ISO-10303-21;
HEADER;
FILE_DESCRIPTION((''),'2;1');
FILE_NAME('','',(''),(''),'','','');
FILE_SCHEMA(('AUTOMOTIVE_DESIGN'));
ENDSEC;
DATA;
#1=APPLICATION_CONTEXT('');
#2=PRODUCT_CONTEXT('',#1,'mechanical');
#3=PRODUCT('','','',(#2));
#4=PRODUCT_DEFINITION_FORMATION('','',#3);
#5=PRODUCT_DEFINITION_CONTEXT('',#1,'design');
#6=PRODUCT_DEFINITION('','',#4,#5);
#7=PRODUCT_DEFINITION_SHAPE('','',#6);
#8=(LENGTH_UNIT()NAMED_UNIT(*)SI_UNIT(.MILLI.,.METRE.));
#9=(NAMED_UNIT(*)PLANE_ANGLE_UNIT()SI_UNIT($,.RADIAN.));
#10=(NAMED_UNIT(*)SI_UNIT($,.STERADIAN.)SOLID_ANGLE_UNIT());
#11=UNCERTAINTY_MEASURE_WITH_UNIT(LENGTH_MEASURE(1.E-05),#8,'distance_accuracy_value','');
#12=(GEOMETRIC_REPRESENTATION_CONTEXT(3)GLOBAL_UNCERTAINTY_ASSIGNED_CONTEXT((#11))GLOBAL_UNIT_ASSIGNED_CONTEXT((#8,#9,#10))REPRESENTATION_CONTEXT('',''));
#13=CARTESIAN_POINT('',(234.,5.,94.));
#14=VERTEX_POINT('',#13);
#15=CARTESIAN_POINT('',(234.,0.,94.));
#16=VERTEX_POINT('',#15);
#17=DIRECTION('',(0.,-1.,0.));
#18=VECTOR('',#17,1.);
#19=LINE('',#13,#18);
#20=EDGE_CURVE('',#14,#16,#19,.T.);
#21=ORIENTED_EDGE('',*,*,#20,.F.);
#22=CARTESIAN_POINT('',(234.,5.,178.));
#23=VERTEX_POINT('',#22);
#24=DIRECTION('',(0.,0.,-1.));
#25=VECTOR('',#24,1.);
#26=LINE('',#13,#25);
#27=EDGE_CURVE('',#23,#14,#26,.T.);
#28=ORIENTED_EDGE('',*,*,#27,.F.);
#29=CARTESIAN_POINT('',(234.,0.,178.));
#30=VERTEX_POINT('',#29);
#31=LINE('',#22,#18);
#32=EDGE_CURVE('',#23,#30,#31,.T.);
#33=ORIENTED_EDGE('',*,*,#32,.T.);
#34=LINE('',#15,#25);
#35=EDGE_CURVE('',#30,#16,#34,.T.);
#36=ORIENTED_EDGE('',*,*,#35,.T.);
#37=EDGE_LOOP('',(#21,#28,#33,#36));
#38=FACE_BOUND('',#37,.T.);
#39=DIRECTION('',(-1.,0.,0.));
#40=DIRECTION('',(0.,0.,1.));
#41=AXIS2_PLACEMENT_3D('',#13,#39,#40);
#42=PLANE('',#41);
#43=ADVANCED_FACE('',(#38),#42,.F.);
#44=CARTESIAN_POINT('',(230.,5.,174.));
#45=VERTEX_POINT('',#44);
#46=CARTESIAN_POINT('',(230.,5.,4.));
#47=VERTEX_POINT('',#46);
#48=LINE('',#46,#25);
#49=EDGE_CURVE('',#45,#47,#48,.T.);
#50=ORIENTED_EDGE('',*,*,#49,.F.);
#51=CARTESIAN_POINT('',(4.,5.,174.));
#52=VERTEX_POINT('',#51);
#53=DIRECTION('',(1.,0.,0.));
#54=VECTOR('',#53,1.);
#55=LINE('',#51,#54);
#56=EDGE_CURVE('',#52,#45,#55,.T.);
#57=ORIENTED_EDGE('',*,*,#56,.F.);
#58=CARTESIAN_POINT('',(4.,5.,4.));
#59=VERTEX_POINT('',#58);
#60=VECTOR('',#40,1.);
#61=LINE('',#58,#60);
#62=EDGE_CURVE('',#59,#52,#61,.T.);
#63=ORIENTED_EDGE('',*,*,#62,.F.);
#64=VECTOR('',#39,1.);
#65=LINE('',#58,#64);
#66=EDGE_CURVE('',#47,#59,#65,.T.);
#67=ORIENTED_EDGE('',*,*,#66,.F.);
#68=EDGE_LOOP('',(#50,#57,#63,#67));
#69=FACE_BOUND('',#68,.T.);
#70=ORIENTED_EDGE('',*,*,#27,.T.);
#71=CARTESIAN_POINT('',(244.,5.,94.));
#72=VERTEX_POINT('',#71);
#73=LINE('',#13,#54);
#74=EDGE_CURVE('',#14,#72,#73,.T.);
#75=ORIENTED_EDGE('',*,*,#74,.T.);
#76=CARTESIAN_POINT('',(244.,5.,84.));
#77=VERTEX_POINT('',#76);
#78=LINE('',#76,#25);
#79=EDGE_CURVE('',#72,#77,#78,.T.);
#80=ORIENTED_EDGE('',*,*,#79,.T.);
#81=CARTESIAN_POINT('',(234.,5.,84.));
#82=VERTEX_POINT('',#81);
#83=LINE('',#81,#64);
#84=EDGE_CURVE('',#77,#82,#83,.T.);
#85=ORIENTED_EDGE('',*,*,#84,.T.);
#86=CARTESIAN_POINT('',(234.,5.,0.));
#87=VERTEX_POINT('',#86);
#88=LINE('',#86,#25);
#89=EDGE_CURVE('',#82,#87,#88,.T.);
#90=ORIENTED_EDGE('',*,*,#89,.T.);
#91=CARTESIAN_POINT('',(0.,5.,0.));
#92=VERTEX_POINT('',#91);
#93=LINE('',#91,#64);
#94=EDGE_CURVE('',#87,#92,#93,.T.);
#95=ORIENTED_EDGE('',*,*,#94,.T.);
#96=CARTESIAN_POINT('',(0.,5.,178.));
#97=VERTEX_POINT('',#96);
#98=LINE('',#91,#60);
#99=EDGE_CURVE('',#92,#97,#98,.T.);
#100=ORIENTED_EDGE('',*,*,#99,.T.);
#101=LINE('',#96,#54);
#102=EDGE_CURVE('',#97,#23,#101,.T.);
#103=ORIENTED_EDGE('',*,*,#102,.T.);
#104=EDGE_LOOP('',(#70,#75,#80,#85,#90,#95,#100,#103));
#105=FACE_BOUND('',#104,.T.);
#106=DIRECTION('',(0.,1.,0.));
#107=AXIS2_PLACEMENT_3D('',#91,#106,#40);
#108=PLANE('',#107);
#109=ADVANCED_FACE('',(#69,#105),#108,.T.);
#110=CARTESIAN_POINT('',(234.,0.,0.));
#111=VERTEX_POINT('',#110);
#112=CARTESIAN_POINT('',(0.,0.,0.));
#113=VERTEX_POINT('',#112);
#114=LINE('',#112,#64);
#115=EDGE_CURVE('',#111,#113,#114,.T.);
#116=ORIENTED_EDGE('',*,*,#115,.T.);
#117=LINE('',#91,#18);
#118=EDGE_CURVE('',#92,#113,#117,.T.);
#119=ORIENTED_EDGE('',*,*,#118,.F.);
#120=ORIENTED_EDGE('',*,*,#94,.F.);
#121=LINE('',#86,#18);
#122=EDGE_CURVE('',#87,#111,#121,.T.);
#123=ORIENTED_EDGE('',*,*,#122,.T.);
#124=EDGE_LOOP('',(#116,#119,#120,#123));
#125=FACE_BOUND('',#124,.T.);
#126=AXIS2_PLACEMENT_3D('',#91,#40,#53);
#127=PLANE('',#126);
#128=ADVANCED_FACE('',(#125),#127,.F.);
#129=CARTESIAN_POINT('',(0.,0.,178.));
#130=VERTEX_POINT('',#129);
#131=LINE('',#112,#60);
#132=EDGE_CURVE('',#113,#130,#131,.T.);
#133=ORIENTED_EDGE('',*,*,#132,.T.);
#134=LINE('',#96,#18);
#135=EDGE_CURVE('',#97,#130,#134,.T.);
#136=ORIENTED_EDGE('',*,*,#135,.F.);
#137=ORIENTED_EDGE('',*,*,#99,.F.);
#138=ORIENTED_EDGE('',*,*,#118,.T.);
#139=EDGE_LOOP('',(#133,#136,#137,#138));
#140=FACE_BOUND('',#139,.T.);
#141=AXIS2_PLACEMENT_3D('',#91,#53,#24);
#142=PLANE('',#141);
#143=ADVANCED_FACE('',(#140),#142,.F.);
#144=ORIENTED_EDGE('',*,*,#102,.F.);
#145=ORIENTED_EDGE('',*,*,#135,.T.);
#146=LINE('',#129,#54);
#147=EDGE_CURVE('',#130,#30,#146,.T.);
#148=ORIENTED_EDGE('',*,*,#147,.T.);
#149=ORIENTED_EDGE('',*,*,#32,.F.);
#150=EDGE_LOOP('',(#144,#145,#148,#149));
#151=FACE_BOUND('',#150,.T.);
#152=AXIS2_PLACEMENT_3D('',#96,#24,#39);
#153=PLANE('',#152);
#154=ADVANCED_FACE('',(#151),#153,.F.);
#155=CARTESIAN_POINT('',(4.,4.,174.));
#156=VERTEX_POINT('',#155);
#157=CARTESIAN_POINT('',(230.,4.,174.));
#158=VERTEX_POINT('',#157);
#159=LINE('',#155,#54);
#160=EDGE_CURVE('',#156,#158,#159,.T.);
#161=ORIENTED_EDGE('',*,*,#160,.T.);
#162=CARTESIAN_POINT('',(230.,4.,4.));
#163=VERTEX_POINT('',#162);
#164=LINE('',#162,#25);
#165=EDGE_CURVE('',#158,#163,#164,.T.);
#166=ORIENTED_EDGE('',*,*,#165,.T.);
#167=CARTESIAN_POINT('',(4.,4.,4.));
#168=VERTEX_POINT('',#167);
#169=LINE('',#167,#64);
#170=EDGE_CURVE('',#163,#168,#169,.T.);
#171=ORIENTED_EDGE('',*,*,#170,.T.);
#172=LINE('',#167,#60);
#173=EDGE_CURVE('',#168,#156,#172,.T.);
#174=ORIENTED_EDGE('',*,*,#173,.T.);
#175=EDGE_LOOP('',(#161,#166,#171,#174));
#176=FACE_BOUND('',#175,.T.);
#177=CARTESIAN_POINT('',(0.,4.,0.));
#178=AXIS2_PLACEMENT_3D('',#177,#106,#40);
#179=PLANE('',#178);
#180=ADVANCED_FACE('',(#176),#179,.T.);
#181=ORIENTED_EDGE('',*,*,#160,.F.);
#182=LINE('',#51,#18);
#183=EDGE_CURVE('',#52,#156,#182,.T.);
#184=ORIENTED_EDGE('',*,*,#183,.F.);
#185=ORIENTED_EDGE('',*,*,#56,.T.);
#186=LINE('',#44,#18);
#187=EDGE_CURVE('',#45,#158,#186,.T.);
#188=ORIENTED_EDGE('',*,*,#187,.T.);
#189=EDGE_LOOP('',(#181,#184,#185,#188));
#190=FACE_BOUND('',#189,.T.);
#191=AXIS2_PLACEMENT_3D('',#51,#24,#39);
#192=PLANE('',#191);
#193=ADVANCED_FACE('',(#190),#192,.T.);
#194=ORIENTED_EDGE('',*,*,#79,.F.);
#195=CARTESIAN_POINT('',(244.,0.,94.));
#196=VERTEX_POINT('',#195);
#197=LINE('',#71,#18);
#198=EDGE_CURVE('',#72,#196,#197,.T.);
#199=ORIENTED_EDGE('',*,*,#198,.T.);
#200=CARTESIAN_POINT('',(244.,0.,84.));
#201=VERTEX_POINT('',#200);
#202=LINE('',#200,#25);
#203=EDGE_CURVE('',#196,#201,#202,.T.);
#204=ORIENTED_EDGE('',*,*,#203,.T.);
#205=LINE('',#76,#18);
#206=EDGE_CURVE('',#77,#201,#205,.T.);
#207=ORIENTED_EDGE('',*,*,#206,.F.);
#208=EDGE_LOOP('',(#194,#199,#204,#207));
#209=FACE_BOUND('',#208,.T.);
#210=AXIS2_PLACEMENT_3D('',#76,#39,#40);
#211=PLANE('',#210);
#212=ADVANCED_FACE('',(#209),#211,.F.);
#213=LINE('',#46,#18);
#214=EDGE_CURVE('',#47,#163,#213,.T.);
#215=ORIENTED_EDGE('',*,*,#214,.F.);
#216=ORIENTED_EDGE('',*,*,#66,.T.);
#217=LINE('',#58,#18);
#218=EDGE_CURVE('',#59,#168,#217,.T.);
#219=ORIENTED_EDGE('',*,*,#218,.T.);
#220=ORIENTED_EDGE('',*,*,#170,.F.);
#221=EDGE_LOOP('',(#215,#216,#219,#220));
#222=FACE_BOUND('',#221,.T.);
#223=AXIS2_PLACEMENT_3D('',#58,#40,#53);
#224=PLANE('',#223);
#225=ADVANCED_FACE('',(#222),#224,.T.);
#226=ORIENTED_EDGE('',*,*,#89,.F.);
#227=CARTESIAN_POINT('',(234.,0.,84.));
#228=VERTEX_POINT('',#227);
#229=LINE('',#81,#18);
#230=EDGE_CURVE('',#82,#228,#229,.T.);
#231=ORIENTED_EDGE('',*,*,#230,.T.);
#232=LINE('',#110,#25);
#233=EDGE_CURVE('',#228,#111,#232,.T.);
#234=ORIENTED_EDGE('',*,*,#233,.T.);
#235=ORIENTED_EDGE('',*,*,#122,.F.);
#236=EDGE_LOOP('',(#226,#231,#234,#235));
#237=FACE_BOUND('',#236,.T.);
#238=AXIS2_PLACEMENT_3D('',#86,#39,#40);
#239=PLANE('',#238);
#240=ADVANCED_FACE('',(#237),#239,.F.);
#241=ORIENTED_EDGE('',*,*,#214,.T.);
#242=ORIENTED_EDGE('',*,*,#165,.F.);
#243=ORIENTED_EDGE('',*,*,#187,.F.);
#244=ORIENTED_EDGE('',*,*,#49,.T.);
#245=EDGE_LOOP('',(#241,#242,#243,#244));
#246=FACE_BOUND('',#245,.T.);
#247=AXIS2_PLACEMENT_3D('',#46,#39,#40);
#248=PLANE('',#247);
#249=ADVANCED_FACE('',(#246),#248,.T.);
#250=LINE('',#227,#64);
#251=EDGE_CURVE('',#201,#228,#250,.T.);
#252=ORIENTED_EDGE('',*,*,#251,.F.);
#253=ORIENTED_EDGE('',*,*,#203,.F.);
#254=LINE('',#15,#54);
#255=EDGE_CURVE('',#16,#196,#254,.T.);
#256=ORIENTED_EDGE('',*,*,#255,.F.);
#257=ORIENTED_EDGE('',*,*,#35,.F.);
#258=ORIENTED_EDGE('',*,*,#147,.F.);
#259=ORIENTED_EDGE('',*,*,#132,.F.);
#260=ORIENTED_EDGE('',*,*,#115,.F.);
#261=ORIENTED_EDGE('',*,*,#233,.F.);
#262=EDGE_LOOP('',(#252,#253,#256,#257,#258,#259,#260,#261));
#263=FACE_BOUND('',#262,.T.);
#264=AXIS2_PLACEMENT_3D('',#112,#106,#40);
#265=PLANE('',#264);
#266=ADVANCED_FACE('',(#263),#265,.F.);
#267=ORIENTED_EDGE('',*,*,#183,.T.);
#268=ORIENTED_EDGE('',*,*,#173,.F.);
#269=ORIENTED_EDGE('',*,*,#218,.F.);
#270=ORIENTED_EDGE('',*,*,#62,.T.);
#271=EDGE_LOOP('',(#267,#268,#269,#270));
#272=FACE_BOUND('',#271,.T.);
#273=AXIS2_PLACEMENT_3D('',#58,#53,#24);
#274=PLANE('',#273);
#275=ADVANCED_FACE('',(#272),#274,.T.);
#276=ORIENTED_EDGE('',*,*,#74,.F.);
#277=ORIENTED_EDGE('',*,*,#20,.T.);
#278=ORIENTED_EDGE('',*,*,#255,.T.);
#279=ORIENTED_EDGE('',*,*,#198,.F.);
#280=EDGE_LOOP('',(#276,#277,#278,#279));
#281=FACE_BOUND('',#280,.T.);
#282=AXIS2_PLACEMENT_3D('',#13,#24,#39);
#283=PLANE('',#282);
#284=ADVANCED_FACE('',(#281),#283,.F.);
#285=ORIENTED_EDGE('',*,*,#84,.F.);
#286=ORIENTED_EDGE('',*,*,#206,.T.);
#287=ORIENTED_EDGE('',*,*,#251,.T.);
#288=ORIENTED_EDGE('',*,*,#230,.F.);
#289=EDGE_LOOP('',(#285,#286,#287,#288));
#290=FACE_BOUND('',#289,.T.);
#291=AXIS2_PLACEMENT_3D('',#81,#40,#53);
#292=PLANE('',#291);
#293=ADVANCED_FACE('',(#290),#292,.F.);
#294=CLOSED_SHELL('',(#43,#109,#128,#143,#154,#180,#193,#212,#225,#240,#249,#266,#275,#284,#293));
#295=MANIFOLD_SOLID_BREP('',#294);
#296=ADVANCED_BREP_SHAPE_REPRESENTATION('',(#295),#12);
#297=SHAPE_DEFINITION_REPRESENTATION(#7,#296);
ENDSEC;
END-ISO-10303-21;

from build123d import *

# Parameters (mm, degrees)
SKETCH1_W           = 226
SKETCH1_H           = 170
BOSS_EXTRUDE1_DEPTH = 5
SKETCH2_W           = 226
SKETCH2_H           = 170
BOSS_EXTRUDE2_DEPTH = 4


with BuildPart() as part:
    # Sketch1 → Boss-Extrude1 (new body)
    with BuildSketch(Plane(origin=(0, 0, 0), x_dir=(1, 0, 0), z_dir=(0, 1, 0))):
        Polygon((234, -94), (234, -178), (0, -178), (0, 0), (234, 0), (234, -84), (244, -84), (244, -94), align=None)
        with Locations((117, -89)):
            Rectangle(SKETCH1_W, SKETCH1_H, mode=Mode.SUBTRACT)
    extrude(amount=BOSS_EXTRUDE1_DEPTH)

    # Sketch2 → Boss-Extrude2 (add)
    with BuildSketch(Plane(origin=(0, 0, 0), x_dir=(1, 0, 0), z_dir=(0, 1, 0))):
        with Locations((117, -89)):
            Rectangle(SKETCH2_W, SKETCH2_H)
    extrude(amount=BOSS_EXTRUDE2_DEPTH)


solid = part.part
